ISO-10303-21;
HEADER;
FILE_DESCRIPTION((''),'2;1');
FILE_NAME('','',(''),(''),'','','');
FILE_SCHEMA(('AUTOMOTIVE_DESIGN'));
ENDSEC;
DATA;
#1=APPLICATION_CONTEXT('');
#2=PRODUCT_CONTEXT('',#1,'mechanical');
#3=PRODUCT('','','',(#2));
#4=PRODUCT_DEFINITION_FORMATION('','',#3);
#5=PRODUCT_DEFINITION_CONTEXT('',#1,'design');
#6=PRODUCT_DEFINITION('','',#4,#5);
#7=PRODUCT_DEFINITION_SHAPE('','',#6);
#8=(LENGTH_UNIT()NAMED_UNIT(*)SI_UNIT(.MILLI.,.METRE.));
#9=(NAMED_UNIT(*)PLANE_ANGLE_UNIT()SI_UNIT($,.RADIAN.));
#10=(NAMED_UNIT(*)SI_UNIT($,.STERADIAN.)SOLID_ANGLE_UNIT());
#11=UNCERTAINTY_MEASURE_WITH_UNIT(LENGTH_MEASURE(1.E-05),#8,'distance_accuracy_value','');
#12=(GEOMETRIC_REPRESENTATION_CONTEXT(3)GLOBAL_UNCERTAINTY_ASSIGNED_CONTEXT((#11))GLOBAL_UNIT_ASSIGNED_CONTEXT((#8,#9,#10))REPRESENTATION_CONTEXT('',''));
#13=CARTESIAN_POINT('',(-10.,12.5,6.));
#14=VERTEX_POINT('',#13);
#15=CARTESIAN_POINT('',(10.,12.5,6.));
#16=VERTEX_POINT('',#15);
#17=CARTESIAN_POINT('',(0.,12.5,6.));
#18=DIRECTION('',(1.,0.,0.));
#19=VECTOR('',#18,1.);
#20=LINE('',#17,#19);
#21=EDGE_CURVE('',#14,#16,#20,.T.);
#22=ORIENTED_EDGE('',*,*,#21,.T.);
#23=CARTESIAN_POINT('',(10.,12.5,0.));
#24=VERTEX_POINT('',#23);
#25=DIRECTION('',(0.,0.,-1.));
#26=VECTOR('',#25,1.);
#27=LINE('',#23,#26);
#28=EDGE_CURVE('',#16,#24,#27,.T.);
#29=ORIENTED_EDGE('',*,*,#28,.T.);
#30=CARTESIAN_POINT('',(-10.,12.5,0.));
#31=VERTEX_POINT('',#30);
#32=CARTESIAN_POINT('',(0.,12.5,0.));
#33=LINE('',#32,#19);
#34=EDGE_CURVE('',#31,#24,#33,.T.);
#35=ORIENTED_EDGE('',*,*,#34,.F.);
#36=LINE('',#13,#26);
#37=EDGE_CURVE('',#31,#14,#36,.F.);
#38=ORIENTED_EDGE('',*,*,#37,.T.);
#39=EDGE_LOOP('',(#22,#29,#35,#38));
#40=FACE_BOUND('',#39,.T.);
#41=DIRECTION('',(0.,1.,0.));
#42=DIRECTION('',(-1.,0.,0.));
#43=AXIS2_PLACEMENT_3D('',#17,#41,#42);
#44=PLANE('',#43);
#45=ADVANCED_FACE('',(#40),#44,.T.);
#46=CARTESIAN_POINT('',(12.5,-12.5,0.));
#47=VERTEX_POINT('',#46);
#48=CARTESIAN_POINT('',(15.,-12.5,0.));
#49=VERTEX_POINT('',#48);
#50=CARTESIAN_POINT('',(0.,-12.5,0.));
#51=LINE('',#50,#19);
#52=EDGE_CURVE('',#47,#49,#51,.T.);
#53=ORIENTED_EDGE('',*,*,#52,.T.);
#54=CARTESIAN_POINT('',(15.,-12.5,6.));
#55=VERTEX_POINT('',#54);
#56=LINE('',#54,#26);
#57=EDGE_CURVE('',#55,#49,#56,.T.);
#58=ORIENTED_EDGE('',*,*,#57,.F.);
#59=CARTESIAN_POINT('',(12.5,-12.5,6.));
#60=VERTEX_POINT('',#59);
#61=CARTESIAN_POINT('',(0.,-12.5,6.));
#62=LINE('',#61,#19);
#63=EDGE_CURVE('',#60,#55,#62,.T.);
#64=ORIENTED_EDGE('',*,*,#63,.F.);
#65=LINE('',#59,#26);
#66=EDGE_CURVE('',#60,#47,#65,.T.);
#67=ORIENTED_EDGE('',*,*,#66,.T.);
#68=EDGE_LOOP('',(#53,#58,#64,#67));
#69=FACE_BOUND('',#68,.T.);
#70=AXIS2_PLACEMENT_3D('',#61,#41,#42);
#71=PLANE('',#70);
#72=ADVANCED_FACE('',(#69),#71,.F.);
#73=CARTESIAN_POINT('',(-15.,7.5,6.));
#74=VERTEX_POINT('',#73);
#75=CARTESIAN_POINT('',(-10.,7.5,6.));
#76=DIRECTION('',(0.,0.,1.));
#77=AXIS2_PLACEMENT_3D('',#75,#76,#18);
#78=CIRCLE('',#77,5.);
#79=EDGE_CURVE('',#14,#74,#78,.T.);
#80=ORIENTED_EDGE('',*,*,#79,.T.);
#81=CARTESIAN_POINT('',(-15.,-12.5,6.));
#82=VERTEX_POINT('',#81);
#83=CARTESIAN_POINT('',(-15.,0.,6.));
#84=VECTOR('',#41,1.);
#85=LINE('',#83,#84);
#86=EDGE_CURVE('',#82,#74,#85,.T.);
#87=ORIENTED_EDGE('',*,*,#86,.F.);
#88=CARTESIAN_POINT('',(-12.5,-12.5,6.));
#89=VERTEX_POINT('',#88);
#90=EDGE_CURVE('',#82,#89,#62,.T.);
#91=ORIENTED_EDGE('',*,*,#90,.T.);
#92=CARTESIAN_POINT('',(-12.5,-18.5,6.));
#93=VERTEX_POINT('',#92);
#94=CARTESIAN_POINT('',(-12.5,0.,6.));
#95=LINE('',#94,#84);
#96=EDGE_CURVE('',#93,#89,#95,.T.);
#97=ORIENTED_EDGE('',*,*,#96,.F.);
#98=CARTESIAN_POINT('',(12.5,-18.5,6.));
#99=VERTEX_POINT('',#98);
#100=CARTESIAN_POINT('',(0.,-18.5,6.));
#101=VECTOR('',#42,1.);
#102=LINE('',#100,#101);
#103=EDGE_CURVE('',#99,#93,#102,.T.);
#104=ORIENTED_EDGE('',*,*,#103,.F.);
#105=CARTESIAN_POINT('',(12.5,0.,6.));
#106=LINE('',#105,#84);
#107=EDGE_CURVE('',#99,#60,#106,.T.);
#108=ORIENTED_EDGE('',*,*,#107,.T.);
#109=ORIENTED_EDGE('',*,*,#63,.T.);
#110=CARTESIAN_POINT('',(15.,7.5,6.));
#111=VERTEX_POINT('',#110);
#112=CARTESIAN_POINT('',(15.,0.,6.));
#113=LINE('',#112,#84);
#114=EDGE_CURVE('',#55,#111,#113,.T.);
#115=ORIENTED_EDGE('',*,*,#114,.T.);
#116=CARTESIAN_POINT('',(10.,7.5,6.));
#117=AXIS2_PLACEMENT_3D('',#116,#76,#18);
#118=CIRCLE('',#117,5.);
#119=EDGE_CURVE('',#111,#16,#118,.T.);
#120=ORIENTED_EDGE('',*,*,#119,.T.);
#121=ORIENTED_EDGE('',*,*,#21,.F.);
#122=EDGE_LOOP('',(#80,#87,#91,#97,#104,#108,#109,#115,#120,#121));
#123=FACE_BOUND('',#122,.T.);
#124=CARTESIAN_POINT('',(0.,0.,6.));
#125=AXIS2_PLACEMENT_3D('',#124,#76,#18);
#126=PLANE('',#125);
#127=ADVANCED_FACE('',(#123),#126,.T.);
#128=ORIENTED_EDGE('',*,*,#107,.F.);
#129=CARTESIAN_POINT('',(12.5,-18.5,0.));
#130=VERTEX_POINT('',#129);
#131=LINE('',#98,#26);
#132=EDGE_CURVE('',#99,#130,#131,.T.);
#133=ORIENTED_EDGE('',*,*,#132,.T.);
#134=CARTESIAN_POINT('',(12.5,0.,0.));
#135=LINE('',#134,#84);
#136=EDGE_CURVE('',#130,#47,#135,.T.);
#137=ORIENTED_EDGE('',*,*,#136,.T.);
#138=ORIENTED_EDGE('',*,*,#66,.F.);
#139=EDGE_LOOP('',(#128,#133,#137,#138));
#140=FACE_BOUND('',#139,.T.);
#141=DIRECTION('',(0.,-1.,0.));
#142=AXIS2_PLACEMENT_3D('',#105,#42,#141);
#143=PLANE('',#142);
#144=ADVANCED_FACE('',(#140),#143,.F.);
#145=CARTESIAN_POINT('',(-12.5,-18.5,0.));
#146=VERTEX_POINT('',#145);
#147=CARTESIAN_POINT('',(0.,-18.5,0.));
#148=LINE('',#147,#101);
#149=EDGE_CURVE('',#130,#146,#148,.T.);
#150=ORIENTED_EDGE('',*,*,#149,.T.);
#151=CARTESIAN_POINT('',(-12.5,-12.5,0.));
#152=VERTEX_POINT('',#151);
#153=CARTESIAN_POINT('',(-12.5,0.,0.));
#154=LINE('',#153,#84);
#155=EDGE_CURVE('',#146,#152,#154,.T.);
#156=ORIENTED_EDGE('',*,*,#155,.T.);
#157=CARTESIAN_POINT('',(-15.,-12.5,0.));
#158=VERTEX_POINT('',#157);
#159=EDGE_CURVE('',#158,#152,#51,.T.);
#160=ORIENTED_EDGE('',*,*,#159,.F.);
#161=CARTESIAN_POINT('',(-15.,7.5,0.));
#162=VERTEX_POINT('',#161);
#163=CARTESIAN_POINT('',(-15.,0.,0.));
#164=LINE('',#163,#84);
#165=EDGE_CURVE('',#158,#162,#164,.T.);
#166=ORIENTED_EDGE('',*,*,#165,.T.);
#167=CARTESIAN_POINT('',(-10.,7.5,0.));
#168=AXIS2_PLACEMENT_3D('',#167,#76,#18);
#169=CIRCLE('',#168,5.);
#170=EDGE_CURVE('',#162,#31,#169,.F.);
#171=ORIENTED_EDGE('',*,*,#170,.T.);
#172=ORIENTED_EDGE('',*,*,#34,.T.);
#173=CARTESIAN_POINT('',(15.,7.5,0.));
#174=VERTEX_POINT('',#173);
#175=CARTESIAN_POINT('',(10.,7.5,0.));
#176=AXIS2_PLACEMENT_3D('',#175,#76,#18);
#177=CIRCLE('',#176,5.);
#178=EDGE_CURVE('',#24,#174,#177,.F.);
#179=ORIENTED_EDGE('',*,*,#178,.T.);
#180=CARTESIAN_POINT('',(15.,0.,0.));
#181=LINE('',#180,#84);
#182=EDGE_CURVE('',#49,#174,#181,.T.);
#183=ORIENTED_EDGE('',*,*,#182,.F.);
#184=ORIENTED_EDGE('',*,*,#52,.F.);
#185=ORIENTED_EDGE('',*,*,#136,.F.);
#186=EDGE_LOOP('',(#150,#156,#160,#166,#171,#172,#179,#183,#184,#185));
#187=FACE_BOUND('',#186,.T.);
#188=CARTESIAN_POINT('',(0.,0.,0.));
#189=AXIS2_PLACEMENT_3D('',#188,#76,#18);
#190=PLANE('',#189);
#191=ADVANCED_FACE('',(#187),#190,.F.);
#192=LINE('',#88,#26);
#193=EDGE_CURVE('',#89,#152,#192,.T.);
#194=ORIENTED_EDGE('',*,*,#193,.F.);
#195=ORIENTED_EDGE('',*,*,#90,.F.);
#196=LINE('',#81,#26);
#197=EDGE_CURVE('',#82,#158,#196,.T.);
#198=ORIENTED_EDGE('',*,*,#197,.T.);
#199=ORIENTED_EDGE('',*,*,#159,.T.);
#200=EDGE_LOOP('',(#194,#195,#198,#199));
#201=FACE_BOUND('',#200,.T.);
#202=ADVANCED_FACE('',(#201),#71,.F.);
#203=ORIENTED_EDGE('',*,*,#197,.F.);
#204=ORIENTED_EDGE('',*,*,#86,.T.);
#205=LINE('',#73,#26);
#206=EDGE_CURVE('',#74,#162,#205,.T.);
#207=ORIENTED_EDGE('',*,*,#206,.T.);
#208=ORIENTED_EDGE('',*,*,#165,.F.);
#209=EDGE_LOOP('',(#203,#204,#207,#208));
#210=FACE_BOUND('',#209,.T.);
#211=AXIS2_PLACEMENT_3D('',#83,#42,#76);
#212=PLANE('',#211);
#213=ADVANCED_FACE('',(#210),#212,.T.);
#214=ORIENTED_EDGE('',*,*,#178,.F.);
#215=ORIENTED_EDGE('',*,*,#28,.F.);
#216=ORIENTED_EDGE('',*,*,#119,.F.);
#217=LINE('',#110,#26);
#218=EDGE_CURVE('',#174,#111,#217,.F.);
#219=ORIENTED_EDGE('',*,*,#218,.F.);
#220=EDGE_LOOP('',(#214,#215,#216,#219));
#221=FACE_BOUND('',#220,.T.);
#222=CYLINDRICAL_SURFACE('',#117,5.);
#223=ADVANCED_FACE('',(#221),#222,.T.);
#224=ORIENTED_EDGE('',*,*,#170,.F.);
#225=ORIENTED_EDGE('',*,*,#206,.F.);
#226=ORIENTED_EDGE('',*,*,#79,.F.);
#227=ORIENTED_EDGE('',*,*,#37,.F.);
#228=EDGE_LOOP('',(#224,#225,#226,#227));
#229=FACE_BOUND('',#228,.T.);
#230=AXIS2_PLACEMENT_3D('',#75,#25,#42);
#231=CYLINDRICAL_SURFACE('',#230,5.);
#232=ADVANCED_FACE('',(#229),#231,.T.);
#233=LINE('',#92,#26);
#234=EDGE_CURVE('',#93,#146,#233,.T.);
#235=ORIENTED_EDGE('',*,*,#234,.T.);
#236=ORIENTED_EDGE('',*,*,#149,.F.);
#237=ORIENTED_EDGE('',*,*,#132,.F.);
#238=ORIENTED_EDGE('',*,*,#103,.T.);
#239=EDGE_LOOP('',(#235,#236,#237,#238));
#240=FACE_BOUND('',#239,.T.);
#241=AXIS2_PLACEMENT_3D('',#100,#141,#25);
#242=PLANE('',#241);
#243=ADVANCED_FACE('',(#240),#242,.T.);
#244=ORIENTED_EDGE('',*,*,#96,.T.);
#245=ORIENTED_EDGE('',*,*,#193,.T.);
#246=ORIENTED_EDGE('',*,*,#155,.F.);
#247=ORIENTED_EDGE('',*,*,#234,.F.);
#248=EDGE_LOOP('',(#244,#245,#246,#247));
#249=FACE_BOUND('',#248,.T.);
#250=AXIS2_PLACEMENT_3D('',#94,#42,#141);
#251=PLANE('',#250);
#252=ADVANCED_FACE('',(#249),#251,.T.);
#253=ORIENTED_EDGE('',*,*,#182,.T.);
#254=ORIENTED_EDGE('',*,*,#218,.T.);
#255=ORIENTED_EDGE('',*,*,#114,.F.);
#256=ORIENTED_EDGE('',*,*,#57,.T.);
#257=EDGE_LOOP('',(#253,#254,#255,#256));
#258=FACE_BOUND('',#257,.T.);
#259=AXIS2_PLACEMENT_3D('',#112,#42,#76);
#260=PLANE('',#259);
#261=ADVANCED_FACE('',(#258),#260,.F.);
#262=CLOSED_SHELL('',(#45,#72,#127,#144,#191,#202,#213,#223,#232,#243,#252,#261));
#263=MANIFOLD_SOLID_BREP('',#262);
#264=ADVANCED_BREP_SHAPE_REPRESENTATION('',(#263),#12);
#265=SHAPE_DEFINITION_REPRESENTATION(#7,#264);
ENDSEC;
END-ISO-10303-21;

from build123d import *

# Parameters (mm, degrees)
ESBO_O1_W                = 30
ESBO_O1_H                = 25
ESBO_O1_W_2              = 25
ESBO_O1_H_2              = 6
RESSALTO_EXTRUS_O1_DEPTH = 6
FILETE1_R                = 5


with BuildPart() as part:
    # Esboço1 → Ressalto-extrusão1 (new body)
    with BuildSketch(Plane.XY):
        Rectangle(ESBO_O1_W, ESBO_O1_H)
        with Locations((0, -15.5)):
            Rectangle(ESBO_O1_W_2, ESBO_O1_H_2)
    extrude(amount=RESSALTO_EXTRUS_O1_DEPTH)

    # Filete1
    filete1_edges = [part.edges().sort_by_distance(p)[0] for p in [
        (-15, 12.5, 3),
        (15, 12.5, 3),
    ]]
    fillet(filete1_edges, radius=FILETE1_R)


solid = part.part
